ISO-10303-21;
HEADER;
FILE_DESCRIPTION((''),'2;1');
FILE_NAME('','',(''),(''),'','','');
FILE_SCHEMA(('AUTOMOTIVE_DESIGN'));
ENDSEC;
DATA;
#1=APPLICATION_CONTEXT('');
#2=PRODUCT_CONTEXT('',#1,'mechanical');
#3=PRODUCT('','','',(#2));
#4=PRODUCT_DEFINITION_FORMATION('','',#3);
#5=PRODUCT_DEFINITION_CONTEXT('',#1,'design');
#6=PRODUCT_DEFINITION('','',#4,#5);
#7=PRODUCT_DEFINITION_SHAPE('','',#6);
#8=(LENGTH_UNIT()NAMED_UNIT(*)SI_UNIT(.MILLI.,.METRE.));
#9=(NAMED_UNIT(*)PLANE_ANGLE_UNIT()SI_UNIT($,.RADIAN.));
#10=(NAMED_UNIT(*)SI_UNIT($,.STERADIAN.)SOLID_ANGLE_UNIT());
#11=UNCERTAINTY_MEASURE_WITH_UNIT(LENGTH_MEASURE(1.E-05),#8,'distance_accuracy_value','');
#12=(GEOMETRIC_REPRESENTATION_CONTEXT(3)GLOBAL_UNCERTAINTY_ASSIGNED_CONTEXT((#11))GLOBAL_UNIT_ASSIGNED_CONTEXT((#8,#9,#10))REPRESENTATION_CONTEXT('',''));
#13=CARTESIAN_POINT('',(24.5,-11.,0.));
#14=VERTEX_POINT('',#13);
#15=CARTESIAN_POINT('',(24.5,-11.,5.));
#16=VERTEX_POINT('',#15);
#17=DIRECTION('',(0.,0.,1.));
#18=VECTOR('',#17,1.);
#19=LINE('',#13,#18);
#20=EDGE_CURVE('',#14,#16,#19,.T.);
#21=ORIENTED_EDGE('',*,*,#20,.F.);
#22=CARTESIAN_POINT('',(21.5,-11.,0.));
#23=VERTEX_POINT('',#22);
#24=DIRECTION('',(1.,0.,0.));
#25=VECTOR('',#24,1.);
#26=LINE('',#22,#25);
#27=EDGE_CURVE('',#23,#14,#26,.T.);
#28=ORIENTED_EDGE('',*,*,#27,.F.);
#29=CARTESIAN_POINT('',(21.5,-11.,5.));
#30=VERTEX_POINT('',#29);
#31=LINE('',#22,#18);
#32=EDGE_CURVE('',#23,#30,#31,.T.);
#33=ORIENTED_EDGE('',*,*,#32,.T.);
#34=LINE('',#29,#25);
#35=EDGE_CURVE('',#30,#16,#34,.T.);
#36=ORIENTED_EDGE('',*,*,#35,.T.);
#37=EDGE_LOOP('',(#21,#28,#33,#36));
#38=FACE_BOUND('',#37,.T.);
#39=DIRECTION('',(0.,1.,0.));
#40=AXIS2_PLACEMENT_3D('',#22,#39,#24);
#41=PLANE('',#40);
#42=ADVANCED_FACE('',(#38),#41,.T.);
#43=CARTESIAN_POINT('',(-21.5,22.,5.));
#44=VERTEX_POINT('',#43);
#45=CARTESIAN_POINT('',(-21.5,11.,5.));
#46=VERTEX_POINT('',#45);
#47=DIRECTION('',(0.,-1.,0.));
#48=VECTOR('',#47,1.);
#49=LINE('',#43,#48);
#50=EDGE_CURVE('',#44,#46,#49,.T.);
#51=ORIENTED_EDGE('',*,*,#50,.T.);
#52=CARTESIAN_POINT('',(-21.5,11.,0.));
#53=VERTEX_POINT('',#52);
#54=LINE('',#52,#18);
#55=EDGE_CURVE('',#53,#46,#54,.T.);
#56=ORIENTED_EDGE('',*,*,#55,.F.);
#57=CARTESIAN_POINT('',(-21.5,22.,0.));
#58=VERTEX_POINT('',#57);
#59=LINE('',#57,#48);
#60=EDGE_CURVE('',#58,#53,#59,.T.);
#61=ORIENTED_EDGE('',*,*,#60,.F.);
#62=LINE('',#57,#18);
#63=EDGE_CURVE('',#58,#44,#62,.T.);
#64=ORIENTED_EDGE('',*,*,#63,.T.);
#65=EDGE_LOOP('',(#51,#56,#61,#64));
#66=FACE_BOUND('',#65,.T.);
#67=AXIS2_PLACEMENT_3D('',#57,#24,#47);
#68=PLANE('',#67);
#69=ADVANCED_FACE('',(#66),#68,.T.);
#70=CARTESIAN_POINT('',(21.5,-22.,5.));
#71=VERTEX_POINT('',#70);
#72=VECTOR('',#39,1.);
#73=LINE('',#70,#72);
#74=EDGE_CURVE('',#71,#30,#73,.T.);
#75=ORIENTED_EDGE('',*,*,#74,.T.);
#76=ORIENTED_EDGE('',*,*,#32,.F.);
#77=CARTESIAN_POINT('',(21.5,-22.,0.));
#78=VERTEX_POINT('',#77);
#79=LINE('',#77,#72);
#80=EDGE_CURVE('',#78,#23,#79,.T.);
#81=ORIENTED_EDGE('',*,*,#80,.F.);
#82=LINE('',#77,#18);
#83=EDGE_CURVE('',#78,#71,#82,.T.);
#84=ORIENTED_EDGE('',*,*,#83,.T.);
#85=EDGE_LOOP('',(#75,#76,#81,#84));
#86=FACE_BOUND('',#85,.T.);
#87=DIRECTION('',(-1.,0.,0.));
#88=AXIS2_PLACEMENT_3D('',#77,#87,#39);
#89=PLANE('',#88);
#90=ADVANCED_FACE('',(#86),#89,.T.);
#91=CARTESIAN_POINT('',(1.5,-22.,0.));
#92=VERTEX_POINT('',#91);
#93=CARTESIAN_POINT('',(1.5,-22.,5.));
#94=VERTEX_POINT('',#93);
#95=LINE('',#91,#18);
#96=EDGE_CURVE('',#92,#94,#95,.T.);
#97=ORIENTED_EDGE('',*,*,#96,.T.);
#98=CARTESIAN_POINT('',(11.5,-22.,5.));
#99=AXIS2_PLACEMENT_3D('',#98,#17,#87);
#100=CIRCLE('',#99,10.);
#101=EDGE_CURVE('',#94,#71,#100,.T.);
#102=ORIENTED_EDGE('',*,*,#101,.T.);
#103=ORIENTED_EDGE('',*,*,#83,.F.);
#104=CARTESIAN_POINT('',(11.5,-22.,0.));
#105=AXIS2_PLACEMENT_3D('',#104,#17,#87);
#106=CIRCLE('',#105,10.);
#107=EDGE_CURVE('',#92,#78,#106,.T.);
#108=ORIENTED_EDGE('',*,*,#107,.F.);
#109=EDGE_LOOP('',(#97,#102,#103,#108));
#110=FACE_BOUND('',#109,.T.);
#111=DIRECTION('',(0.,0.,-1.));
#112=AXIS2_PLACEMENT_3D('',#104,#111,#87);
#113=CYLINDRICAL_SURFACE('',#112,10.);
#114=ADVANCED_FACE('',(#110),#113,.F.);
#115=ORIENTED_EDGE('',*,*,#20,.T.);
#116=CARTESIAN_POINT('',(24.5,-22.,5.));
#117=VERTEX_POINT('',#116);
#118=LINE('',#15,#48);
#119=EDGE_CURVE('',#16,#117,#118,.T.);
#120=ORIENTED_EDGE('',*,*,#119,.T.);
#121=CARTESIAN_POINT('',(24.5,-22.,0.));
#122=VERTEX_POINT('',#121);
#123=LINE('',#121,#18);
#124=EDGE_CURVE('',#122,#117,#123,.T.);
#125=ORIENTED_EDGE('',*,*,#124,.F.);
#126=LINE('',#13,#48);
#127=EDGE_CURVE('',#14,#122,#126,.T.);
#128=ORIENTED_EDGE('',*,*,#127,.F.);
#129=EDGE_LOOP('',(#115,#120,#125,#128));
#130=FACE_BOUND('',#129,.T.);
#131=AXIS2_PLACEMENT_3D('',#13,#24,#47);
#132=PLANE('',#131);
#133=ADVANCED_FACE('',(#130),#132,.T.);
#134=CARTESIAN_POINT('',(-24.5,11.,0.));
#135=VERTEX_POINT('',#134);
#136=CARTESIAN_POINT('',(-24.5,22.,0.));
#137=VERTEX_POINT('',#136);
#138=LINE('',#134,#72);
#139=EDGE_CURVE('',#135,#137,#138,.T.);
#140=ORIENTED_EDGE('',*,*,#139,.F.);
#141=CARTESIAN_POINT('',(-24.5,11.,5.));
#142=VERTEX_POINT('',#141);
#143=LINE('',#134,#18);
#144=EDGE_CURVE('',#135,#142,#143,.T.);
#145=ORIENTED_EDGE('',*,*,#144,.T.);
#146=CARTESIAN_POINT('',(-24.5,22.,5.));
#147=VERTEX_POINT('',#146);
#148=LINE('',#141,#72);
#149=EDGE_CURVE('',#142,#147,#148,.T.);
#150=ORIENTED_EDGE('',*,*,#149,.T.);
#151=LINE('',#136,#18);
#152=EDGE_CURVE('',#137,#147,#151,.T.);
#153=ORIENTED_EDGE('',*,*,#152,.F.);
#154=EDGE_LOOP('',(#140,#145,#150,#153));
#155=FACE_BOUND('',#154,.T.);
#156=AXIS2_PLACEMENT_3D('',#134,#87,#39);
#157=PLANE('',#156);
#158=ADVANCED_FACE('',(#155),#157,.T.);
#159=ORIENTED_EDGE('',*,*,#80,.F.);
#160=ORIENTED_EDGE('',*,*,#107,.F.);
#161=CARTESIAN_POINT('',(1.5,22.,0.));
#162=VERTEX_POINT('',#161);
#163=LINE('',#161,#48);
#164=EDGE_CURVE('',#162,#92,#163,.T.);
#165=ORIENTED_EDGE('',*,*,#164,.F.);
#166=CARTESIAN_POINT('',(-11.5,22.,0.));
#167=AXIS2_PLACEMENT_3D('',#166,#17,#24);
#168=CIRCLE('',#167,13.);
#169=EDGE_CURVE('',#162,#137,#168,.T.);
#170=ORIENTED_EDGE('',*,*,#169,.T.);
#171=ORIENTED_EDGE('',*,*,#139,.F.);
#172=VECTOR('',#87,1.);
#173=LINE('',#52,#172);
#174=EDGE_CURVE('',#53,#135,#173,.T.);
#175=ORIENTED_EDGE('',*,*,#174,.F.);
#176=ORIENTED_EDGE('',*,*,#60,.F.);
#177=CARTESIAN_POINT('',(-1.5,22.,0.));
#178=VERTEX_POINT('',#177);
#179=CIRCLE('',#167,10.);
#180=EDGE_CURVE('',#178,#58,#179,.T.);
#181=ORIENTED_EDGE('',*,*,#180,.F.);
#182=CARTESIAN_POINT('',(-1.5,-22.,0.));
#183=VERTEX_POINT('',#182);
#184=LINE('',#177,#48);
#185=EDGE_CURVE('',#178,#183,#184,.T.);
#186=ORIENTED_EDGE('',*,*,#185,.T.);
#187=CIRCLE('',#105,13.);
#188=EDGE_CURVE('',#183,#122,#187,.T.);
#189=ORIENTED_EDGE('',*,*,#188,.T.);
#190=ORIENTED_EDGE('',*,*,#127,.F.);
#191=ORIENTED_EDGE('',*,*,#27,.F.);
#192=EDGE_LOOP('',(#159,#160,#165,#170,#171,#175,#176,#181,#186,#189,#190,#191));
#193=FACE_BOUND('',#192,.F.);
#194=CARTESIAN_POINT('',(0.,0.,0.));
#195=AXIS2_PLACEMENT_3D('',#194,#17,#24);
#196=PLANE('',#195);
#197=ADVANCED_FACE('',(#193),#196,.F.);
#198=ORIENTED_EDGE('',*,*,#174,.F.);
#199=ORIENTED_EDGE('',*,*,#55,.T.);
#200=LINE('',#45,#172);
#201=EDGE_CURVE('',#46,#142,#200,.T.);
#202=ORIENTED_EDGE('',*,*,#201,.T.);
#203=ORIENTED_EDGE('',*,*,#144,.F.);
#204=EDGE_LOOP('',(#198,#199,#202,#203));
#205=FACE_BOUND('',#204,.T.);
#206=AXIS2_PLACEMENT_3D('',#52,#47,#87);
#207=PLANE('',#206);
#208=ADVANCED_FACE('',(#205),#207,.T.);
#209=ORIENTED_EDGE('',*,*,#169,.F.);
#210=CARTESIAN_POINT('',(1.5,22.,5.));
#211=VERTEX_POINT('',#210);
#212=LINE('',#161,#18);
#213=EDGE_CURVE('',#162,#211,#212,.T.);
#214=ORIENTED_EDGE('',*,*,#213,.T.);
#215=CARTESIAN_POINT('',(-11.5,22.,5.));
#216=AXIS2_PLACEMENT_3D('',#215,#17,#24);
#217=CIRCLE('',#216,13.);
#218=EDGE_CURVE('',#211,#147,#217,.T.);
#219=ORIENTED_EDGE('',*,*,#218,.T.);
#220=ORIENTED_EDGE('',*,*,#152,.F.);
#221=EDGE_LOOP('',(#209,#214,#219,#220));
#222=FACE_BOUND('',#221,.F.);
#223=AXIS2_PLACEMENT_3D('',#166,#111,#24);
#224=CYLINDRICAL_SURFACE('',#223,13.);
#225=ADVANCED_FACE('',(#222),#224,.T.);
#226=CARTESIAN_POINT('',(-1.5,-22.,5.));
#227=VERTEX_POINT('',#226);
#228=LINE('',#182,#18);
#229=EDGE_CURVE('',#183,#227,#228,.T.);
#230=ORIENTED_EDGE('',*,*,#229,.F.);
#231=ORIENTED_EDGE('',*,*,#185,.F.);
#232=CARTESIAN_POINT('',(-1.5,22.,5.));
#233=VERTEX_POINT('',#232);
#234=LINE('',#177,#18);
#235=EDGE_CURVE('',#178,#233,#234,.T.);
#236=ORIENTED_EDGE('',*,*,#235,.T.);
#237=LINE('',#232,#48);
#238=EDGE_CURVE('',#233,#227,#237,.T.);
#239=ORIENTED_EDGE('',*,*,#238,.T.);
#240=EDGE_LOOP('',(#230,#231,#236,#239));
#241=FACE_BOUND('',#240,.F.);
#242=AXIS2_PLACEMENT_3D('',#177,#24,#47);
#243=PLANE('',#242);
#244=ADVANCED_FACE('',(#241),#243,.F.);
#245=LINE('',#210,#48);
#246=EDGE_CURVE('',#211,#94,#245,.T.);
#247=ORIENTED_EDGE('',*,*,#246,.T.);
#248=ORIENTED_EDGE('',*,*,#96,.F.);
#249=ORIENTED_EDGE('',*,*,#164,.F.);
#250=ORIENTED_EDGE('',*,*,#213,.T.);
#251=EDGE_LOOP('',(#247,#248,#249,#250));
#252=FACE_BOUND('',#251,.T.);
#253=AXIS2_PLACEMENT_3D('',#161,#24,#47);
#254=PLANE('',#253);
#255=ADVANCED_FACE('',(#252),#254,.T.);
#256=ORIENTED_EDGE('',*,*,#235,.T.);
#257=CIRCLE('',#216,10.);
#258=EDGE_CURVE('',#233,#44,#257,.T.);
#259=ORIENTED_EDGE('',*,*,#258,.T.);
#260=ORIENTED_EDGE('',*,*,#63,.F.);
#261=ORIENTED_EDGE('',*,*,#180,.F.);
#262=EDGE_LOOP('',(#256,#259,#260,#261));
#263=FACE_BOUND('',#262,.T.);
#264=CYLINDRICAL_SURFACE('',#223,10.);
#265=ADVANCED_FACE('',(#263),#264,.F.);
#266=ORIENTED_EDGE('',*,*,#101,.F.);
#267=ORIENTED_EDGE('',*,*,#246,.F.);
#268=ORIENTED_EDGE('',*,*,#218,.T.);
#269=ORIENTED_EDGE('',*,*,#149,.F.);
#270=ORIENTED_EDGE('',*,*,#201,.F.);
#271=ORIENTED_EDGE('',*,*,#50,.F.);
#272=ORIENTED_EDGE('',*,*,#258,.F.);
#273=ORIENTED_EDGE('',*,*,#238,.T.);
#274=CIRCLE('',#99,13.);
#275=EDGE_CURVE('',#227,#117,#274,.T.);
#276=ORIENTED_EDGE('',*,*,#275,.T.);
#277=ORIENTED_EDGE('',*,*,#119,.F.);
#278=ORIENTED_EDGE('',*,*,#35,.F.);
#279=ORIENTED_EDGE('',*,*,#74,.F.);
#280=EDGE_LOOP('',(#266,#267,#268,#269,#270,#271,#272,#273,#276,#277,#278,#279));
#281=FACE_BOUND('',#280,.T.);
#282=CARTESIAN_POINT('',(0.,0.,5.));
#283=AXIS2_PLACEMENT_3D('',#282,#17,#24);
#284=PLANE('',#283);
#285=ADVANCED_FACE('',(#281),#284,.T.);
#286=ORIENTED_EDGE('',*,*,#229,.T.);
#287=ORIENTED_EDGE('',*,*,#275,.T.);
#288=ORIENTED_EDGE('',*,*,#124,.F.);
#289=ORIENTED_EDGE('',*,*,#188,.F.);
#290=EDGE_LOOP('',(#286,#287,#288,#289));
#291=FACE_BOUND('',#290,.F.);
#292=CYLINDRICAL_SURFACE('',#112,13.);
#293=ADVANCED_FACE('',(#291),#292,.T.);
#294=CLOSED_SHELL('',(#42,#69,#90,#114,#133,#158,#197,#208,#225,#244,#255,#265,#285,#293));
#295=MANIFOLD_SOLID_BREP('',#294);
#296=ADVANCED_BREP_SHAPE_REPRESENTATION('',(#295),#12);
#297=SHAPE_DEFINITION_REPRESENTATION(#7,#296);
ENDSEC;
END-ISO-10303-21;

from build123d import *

# Parameters (mm, degrees)
PAD_DEPTH = 5


with BuildPart() as part:
    # Sketch → Pad (new body)
    with BuildSketch(Plane.XY):
        with BuildLine():
            Line((-1.5, 22), (-1.5, -22))
            ThreePointArc((-1.5, -22), (11.5, -35), (24.5, -22))
            Line((24.5, -11), (24.5, -22))
            Line((21.5, -11), (24.5, -11))
            Line((21.5, -22), (21.5, -11))
            ThreePointArc((1.5, -22), (11.5, -32), (21.5, -22))
            Line((1.5, 22), (1.5, -22))
            ThreePointArc((1.5, 22), (-11.5, 35), (-24.5, 22))
            Line((-24.5, 11), (-24.5, 22))
            Line((-21.5, 11), (-24.5, 11))
            Line((-21.5, 22), (-21.5, 11))
            ThreePointArc((-1.5, 22), (-11.5, 32), (-21.5, 22))
        make_face()
    extrude(amount=PAD_DEPTH)


solid = part.part
